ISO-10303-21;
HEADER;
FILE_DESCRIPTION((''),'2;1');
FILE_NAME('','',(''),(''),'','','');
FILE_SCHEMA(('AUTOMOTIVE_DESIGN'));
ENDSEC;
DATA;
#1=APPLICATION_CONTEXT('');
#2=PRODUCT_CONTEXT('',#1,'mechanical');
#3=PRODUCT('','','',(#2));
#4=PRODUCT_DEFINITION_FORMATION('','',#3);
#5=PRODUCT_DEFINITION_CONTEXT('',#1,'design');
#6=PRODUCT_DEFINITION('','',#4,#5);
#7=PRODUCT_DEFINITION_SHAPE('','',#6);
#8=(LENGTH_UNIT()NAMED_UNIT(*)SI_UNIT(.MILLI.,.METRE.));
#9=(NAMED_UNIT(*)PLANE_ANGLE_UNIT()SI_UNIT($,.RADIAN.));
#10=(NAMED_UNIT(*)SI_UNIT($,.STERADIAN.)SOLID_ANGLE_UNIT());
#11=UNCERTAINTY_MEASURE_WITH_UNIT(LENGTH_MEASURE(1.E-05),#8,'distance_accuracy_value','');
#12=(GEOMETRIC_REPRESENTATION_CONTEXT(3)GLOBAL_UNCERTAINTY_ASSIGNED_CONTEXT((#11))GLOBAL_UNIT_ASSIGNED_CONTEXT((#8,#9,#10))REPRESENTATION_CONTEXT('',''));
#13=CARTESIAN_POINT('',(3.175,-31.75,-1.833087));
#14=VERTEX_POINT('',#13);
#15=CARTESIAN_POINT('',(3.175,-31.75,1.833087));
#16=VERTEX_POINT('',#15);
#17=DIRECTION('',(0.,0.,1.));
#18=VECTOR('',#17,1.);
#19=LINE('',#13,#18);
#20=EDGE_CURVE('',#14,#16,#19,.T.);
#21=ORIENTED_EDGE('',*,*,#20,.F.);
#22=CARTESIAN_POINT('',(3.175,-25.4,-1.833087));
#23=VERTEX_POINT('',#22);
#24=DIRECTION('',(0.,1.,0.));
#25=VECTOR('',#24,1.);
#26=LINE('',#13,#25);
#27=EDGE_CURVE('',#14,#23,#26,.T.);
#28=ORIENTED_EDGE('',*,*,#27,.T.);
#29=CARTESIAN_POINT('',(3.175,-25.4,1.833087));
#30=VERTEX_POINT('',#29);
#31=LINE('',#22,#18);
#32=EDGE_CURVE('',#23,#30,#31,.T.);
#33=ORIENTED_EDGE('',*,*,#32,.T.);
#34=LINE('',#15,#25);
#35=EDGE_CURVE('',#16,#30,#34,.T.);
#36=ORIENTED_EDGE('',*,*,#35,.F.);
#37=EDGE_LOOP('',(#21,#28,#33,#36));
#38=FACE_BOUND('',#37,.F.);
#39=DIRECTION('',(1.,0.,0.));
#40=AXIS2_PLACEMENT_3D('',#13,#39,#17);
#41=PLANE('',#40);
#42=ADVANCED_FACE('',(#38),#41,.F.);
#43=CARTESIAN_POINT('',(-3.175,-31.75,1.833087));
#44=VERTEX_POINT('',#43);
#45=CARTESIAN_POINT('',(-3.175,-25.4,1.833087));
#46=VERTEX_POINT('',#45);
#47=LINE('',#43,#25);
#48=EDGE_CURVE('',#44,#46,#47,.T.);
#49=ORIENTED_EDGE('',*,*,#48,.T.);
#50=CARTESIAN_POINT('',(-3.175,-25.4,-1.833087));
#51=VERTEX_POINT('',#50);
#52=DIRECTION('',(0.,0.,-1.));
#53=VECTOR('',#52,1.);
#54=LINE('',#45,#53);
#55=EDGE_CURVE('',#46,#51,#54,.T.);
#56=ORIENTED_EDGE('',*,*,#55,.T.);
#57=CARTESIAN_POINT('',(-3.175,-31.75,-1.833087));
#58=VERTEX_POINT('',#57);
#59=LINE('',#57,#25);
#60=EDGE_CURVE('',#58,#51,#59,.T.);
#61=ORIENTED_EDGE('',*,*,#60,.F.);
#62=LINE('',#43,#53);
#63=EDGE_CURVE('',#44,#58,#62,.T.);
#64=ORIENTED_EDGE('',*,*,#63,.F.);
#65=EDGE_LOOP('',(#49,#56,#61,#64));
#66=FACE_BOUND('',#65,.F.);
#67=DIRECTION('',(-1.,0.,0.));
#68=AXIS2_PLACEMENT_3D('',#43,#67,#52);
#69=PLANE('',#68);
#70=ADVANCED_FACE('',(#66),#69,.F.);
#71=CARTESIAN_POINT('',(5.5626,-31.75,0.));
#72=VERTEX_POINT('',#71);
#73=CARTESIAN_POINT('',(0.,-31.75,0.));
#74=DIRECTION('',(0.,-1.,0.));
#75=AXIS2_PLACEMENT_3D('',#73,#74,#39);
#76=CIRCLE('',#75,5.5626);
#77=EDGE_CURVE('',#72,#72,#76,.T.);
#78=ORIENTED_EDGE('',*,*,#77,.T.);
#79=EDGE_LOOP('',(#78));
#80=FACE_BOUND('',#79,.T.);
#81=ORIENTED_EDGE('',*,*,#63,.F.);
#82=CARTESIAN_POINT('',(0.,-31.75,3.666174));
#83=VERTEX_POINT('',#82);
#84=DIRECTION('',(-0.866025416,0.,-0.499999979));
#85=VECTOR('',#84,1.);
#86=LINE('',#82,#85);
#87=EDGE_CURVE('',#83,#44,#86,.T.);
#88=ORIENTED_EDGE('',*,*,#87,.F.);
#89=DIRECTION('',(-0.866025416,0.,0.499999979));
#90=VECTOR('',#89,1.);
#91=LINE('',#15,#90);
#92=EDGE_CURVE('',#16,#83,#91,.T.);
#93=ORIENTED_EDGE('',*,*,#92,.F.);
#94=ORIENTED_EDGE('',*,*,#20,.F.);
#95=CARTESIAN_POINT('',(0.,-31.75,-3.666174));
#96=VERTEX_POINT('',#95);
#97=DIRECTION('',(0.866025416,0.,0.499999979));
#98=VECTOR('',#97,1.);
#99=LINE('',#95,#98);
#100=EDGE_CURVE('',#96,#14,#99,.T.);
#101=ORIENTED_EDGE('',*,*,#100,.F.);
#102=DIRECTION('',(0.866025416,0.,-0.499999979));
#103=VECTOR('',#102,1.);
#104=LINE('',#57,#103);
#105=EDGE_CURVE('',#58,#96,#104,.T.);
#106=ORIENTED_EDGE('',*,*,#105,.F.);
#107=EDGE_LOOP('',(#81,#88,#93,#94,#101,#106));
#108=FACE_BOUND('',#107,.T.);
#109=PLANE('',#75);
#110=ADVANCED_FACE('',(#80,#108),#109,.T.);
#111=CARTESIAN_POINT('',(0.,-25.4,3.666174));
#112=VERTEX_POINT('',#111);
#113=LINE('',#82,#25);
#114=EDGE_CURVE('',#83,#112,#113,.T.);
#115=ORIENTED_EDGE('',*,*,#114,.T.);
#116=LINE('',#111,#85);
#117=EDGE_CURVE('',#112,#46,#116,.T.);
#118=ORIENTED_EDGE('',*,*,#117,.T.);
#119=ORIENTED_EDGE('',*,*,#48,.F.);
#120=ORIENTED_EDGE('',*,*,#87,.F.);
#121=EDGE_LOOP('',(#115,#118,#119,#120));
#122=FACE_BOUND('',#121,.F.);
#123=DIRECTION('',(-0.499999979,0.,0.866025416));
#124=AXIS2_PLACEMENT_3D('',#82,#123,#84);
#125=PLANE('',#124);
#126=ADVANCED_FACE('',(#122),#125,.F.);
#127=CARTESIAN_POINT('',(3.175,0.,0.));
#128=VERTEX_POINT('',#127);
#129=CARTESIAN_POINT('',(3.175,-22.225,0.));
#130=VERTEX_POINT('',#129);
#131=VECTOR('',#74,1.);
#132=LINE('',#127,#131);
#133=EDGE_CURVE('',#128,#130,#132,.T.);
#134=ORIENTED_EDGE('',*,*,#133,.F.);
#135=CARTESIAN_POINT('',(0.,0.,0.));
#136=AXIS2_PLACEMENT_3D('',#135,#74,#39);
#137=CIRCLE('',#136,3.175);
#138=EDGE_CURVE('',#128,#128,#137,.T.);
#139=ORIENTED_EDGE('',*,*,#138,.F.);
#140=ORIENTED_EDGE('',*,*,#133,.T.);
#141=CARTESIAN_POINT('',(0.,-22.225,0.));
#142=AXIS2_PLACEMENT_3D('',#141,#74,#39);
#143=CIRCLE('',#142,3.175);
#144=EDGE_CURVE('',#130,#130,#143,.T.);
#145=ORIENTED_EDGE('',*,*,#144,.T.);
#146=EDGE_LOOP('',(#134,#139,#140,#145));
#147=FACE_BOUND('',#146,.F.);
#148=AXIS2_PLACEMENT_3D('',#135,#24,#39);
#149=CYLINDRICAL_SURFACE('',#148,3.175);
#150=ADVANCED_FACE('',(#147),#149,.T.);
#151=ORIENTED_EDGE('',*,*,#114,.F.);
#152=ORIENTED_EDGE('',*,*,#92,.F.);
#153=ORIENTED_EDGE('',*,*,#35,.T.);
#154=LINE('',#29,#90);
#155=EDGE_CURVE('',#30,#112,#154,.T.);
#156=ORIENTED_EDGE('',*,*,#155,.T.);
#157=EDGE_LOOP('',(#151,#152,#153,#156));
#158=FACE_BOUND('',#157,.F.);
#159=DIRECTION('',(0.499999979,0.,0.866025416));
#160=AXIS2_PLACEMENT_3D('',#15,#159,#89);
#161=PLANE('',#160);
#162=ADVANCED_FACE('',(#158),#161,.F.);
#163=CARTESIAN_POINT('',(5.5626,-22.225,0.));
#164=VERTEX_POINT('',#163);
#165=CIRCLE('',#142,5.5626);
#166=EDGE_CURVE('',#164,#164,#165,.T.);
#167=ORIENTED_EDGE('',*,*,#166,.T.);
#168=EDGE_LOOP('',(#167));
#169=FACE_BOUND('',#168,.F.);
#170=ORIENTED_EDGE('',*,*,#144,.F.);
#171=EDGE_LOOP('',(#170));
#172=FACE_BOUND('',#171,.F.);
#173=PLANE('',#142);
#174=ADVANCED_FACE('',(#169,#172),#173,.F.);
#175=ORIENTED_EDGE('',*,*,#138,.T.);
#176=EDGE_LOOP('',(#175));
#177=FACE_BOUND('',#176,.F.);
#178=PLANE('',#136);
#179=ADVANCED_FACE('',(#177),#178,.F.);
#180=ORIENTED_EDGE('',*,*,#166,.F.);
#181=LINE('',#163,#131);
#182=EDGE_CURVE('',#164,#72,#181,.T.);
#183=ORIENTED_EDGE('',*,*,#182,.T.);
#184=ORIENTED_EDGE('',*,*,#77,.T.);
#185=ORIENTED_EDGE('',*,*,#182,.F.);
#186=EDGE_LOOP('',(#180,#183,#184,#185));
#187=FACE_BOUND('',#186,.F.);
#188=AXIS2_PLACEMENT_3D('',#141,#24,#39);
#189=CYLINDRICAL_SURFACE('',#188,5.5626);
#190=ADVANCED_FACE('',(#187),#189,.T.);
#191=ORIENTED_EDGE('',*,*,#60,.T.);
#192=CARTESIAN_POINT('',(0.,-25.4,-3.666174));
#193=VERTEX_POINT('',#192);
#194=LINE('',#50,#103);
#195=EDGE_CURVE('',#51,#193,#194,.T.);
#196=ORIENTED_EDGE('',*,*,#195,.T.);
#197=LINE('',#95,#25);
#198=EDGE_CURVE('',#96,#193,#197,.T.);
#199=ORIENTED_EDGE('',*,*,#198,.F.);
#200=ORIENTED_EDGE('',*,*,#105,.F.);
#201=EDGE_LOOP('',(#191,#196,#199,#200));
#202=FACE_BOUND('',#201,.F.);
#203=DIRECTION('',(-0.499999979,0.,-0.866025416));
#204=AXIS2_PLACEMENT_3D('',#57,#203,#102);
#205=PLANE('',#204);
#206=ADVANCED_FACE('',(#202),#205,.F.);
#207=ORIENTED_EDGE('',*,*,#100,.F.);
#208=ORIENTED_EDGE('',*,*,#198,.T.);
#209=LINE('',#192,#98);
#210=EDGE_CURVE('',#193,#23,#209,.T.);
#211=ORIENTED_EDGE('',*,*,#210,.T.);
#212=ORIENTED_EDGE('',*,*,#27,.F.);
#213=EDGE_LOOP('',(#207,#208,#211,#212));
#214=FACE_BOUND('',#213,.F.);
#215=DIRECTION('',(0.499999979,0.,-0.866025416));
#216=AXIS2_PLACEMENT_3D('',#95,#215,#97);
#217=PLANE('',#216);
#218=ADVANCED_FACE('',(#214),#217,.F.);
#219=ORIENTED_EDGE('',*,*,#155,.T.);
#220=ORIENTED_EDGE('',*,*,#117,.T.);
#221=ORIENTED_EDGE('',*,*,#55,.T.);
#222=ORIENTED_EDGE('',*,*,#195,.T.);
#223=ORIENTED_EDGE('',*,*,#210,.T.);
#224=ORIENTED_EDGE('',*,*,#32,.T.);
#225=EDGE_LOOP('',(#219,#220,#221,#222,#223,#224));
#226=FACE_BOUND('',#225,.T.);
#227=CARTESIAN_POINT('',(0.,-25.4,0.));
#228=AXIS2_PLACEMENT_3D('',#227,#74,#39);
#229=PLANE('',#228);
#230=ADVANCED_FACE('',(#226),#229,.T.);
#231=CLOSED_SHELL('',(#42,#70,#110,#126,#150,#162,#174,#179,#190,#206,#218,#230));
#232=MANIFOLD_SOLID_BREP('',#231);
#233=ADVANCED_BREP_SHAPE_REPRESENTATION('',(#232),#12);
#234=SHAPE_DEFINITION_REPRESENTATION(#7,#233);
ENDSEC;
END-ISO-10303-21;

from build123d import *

# Parameters (mm, degrees)
F0_R     = 3.175
F1_DEPTH = 22.225
F3_R     = 5.5626
F4_DEPTH = 9.525
F6_DEPTH = 6.35


with BuildPart() as f1:
    # F0 (on Front) → F1 (new body)
    with BuildSketch(Plane.XZ):
        Circle(F0_R)
    extrude(amount=F1_DEPTH)

    # F3 (on face) → F4 (join)
    with BuildSketch(Plane.XZ.offset(22.225)):
        Circle(F3_R)
    extrude(amount=F4_DEPTH)

    # F5 (on face) → F6 (cut)
    with BuildSketch(Plane.XZ.offset(31.75)):
        Polygon((3.175, 1.833087), (0, 3.666174), (-3.175, 1.833087), (-3.175, -1.833087), (0, -3.666174), (3.175, -1.833087), align=None)
    extrude(amount=-F6_DEPTH, mode=Mode.SUBTRACT)


solid = f1.part
